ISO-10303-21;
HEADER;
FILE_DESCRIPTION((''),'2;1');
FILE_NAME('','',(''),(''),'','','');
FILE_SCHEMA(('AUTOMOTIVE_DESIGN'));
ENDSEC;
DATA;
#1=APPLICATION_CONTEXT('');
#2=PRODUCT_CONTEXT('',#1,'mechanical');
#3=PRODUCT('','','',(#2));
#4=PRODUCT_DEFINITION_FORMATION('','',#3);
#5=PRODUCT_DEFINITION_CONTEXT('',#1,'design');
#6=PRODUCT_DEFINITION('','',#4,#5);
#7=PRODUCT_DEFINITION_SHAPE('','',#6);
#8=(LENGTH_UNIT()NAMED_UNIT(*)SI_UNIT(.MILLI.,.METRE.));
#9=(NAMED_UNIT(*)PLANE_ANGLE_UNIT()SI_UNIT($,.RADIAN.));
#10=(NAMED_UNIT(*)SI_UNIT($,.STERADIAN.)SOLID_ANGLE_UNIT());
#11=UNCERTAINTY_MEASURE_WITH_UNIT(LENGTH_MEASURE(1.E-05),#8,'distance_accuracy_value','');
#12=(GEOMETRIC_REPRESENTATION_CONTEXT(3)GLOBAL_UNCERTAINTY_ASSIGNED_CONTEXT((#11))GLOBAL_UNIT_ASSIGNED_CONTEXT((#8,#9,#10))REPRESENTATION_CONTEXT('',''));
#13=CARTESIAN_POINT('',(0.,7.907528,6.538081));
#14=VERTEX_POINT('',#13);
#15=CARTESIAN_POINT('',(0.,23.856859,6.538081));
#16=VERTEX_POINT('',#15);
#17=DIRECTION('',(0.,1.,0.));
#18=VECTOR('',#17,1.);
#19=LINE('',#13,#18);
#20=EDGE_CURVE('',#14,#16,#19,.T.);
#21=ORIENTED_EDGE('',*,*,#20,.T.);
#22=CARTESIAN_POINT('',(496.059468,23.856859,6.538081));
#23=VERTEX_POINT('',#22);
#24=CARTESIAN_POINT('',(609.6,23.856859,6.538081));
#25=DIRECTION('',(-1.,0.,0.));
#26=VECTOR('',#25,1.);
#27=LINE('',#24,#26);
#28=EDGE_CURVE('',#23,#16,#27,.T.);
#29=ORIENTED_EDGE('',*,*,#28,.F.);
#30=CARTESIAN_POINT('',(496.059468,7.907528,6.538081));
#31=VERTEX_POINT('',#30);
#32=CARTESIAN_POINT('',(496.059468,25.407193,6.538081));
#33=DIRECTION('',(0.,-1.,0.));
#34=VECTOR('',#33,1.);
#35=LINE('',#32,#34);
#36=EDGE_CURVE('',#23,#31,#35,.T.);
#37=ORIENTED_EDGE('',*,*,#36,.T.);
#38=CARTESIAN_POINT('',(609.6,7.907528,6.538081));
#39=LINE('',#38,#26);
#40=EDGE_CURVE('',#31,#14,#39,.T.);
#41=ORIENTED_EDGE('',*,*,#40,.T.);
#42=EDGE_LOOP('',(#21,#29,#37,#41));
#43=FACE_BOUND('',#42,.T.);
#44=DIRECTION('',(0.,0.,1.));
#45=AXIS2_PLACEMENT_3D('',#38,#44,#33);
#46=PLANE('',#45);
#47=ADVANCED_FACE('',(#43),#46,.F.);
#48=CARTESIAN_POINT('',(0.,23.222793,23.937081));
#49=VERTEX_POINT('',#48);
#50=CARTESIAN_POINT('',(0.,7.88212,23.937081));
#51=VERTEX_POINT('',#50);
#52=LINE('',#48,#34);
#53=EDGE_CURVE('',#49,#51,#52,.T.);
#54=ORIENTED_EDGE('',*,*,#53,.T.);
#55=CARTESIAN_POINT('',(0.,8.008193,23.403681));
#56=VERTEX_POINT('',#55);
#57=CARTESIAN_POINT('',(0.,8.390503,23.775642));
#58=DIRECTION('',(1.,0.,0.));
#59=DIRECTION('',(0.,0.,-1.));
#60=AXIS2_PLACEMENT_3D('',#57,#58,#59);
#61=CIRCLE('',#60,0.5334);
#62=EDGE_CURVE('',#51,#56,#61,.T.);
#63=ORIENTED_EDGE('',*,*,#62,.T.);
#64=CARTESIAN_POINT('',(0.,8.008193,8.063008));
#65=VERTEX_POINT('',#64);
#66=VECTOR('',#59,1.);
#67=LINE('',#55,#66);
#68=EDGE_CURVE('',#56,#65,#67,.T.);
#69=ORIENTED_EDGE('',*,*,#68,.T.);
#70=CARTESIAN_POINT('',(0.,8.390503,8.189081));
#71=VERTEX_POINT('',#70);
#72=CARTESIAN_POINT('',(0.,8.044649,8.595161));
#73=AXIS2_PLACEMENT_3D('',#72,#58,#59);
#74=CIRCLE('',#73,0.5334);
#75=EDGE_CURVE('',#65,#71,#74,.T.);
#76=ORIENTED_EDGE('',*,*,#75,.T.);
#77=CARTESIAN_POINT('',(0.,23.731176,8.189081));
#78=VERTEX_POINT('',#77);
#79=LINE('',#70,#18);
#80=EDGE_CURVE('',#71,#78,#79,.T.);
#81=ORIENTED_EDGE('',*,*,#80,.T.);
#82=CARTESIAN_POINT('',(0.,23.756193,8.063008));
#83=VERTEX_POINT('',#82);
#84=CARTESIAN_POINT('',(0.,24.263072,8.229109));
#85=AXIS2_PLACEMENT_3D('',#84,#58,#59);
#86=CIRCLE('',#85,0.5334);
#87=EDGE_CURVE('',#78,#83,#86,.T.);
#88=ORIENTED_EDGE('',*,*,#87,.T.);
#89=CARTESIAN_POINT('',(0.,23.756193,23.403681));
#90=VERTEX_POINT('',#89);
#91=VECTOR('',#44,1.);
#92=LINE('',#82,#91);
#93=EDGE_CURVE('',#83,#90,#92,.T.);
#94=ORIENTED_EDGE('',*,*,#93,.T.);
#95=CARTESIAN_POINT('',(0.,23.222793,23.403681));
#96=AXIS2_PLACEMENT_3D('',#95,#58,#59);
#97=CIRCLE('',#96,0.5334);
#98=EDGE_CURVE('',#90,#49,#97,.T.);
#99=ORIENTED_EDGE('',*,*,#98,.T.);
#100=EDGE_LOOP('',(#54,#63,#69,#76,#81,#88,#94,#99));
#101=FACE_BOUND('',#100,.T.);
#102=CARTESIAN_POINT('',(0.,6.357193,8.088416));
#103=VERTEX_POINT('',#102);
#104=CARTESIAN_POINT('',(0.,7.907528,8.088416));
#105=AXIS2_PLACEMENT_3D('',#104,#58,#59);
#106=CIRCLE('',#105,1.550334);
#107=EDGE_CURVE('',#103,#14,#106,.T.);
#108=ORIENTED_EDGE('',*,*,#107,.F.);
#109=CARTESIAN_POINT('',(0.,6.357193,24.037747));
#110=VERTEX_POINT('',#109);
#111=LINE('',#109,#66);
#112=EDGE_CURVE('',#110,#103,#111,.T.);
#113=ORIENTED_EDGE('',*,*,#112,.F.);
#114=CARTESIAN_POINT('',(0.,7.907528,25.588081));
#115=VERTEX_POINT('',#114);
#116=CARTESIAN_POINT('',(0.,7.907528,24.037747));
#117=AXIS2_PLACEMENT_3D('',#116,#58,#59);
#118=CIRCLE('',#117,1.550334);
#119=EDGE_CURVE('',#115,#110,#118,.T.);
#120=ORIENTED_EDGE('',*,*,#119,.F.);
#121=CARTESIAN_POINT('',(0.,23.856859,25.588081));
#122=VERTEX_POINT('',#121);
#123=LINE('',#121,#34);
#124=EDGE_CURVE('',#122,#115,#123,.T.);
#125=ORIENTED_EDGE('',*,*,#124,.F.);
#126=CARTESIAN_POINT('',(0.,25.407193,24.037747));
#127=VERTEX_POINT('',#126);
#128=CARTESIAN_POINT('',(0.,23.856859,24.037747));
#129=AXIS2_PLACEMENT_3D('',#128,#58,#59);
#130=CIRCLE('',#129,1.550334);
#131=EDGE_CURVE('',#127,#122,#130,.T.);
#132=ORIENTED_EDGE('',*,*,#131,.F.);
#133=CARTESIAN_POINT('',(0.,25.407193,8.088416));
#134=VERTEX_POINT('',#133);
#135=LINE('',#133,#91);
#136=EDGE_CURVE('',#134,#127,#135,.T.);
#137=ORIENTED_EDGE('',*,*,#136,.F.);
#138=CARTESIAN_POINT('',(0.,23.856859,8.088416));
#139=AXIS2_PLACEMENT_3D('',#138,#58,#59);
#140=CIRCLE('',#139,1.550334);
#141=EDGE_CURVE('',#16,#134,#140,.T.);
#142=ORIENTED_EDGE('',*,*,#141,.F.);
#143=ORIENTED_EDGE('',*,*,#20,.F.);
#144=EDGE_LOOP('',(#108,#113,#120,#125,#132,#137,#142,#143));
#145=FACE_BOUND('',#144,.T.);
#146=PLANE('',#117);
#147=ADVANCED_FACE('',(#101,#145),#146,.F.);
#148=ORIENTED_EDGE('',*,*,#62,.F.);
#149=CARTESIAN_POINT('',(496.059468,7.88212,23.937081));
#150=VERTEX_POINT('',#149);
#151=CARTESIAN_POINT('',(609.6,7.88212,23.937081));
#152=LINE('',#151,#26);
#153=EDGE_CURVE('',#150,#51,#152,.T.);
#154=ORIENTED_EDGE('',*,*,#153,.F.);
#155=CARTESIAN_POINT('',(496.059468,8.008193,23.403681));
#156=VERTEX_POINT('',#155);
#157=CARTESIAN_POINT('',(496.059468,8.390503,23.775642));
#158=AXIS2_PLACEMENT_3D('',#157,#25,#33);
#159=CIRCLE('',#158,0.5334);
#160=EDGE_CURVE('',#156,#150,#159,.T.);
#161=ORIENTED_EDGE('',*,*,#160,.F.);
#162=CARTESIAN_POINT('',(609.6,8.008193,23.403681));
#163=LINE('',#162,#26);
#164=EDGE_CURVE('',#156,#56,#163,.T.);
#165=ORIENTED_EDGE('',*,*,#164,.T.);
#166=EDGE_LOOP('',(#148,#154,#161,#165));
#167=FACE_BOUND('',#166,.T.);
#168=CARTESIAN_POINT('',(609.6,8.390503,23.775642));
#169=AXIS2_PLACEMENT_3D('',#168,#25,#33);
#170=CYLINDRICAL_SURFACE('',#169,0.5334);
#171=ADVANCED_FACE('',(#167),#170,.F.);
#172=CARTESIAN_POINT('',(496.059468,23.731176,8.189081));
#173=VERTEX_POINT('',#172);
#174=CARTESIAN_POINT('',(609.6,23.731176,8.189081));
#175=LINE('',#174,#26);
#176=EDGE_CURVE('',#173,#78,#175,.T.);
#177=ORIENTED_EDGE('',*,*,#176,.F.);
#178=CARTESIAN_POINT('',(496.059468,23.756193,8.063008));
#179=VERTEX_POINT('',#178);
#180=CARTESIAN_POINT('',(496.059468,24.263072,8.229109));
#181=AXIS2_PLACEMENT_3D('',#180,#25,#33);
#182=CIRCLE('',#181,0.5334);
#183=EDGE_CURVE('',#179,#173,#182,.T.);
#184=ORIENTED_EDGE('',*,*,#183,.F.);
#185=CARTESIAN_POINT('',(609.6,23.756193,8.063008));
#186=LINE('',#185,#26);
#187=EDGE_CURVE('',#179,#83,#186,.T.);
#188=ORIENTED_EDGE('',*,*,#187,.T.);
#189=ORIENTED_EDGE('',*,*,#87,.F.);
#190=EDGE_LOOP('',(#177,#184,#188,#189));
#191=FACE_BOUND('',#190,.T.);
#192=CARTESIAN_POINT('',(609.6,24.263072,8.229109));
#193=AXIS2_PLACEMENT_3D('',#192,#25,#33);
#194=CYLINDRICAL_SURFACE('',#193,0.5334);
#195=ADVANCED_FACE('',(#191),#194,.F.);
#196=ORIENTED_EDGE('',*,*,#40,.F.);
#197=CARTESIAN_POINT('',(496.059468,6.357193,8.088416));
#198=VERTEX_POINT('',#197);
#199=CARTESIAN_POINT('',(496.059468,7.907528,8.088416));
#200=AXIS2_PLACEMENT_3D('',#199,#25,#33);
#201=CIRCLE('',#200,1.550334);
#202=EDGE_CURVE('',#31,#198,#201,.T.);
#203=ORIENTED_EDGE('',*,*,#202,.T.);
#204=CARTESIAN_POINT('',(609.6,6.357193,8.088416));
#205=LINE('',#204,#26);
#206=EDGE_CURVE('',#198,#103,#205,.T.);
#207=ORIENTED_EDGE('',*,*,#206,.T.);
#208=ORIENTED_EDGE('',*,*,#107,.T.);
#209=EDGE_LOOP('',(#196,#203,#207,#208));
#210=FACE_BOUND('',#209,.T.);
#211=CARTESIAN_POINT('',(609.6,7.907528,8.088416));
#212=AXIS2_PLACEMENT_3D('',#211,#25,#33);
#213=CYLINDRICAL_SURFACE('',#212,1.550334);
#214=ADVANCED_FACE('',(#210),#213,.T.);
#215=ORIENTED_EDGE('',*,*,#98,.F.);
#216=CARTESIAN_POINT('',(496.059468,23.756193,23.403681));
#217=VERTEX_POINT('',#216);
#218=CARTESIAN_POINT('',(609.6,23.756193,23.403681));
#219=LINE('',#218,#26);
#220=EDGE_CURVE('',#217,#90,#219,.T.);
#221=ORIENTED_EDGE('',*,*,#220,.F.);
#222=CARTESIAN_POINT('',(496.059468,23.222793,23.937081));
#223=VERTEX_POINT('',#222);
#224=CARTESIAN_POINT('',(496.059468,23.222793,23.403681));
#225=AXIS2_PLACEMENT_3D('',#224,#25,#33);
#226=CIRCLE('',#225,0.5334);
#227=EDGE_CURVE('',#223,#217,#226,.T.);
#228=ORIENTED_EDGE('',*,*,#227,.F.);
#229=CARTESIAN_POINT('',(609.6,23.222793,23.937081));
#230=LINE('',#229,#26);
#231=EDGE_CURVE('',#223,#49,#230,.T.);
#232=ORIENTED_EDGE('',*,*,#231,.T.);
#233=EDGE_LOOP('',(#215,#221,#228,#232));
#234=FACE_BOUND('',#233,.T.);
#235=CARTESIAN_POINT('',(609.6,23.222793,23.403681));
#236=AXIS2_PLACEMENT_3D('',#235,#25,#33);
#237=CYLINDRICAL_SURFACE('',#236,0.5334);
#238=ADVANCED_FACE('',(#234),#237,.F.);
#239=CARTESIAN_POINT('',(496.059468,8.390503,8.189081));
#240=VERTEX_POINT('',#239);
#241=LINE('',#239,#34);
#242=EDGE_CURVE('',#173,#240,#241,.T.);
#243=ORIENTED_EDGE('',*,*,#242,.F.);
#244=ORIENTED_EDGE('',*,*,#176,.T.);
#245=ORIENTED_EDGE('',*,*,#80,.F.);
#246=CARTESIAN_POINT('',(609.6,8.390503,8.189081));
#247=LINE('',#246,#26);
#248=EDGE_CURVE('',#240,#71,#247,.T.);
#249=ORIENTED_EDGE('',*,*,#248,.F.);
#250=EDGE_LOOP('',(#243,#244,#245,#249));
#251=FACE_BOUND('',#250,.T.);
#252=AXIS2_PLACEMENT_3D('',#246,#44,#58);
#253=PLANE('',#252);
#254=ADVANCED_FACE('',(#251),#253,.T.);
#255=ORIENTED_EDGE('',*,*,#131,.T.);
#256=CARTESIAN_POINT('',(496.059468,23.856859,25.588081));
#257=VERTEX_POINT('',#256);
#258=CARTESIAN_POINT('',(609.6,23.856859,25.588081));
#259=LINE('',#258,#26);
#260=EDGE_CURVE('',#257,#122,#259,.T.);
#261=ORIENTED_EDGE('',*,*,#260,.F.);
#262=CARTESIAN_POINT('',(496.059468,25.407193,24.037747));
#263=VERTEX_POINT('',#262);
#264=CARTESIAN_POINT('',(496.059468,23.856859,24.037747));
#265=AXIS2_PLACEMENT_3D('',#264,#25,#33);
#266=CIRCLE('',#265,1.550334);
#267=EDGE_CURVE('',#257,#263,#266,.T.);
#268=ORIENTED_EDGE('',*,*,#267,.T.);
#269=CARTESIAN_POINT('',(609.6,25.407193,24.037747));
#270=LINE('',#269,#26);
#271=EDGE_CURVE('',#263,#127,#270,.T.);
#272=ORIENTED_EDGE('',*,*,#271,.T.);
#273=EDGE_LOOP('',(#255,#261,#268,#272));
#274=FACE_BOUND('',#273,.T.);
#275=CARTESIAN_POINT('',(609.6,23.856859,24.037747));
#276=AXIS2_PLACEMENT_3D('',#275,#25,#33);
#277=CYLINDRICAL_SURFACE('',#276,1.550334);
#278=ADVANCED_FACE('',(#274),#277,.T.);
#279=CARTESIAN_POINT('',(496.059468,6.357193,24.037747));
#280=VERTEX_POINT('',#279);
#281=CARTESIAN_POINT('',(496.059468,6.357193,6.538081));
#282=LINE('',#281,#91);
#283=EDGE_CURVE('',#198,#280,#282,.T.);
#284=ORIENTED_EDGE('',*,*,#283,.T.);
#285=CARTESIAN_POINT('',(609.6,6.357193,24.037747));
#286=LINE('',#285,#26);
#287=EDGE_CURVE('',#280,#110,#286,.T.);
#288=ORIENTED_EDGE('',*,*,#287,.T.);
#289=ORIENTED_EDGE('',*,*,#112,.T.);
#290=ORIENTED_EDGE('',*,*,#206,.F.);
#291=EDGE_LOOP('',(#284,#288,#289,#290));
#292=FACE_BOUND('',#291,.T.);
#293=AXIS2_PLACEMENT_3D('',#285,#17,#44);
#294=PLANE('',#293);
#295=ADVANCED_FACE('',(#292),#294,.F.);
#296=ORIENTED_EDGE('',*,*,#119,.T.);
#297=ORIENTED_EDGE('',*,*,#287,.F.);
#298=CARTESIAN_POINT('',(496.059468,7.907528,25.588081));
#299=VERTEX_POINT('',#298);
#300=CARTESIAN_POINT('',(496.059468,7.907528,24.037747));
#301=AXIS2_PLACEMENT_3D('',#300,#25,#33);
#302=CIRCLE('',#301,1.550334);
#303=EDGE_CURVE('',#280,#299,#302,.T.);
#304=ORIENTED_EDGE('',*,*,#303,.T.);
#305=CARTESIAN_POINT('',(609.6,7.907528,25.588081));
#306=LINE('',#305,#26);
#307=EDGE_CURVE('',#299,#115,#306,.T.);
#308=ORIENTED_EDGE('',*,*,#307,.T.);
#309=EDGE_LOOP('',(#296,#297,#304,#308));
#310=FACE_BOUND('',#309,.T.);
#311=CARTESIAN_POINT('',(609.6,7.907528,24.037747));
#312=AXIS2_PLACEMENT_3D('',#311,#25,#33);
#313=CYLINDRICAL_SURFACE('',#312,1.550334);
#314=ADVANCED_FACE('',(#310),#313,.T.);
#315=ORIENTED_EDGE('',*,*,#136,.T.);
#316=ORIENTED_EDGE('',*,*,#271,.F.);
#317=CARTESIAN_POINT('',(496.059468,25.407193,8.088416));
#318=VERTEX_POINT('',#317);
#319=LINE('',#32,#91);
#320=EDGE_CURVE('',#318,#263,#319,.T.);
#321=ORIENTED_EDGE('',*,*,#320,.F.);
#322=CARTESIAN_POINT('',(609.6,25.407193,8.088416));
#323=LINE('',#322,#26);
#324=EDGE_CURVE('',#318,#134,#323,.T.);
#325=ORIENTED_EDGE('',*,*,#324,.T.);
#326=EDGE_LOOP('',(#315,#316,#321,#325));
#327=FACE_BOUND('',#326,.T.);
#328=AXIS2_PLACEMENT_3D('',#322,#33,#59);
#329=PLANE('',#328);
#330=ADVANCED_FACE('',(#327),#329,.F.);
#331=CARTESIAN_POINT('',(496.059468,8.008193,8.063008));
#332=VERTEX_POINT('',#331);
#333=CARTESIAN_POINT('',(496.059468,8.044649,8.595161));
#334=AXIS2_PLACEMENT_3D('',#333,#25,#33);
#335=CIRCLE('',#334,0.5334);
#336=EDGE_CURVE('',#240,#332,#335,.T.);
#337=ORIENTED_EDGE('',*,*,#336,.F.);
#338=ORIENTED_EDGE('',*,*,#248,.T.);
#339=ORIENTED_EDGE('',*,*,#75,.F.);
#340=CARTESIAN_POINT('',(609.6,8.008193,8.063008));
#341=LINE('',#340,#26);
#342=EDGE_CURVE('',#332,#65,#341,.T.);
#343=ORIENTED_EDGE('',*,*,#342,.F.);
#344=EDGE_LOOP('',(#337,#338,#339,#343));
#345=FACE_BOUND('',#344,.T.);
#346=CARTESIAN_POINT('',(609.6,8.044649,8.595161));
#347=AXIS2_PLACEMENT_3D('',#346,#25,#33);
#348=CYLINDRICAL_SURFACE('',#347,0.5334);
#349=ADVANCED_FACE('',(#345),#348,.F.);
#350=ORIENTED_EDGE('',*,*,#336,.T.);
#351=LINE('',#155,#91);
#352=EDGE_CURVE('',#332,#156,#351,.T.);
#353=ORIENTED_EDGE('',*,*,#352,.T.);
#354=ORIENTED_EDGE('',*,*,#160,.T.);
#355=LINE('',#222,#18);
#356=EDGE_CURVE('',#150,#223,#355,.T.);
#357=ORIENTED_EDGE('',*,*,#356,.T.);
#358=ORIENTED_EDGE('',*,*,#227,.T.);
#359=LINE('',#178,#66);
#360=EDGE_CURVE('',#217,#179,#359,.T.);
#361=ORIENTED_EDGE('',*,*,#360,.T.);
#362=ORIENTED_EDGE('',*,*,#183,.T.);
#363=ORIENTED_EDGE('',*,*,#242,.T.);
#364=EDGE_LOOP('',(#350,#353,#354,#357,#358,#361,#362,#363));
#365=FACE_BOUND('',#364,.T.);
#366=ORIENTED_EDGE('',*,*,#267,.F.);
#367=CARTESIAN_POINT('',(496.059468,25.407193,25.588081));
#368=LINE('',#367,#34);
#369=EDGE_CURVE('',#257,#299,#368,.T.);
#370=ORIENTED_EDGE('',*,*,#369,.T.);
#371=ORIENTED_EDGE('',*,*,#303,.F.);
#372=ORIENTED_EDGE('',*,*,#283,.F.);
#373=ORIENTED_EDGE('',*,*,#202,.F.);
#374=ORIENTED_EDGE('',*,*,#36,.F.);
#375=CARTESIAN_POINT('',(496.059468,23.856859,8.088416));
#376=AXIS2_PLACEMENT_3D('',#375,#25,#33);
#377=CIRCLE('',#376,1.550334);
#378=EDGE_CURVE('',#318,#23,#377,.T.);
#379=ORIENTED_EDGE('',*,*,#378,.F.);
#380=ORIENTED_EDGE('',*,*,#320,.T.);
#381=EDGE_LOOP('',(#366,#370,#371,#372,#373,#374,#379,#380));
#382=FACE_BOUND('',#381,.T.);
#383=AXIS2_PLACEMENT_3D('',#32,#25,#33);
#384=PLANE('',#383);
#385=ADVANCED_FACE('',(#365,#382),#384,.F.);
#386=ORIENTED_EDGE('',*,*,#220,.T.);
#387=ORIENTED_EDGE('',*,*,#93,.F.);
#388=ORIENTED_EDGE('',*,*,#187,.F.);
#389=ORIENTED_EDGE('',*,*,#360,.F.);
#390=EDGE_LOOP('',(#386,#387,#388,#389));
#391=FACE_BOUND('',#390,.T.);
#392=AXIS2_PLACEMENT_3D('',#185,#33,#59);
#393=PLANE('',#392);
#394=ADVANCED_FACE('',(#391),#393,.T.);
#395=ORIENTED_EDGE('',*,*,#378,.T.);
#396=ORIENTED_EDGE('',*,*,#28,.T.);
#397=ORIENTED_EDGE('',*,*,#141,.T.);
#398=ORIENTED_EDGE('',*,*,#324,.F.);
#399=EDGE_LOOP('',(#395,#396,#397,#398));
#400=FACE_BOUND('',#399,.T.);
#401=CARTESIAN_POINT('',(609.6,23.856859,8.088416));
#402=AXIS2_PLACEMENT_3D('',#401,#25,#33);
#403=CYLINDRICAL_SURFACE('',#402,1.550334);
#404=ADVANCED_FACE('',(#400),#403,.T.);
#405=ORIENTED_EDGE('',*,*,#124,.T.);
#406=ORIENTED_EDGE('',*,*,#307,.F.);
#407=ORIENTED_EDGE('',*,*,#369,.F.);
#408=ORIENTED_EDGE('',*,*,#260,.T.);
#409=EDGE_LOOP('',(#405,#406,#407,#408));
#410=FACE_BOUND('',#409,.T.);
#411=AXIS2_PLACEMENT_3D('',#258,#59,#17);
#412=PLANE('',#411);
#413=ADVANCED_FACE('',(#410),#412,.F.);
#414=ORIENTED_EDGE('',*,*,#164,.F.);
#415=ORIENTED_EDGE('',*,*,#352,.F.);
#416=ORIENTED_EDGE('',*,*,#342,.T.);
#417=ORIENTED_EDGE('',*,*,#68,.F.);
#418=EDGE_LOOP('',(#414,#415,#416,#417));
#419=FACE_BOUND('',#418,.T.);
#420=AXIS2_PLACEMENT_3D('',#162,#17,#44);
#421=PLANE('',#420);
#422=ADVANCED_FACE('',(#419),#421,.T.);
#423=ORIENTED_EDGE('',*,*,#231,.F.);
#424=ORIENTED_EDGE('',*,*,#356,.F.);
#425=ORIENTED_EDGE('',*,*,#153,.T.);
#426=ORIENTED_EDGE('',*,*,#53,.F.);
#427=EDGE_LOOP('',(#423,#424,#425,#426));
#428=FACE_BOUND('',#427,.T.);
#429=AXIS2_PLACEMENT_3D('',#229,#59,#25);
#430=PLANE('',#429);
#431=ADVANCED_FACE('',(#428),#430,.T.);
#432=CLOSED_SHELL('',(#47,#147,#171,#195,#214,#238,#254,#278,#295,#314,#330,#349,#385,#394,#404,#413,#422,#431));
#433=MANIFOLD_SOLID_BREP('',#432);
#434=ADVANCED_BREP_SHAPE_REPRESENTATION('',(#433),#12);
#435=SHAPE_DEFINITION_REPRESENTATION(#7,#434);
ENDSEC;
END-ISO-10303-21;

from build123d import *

# Parameters (mm, degrees)
BOSS_EXTRUDE1_DEPTH = 609.6
SCALE1_SCALE_X      = 1
SCALE1_SCALE_Y      = 0.6
SCALE1_SCALE_Z      = 0.6
SKETCH3_W           = 113.540531561
SKETCH3_H           = 19.05
CUT_EXTRUDE2_DEPTH  = 611.426562419


with BuildPart() as part:
    # Sketch1 → Boss-Extrude1 (new body)
    with BuildSketch(Plane(origin=(0, 0, 0), x_dir=(0, 0, -1), z_dir=(1, 0, 0))):
        with BuildLine():
            Line((-0.186356914, 2.58389064), (-0.186356914, 29.16610936))
            ThreePointArc((-0.186356914, 29.16610936), (-0.94316096, 30.993195953), (-2.770247554, 31.75))
            Line((-2.770247554, 31.75), (-29.352466273, 31.75))
            ThreePointArc((-29.352466273, 31.75), (-31.179552867, 30.993195953), (-31.936356914, 29.16610936))
            Line((-31.936356914, 29.16610936), (-31.936356914, 2.58389064))
            ThreePointArc((-31.936356914, 2.58389064), (-31.179552867, 0.756804047), (-29.352466273, 0))
            Line((-29.352466273, 0), (-2.770247554, 0))
            ThreePointArc((-2.770247554, 0), (-0.94316096, 0.756804047), (-0.186356914, 2.58389064))
        make_face()
        with BuildLine():
            Line((-2.93802358, 3.388849212), (-2.93802358, 28.956637898))
            ThreePointArc((-2.93802358, 28.956637898), (-2.83170208, 28.97113344), (-2.727901561, 28.998333333))
            Line((-2.727901561, 28.998333333), (-28.295690247, 28.998333333))
            ThreePointArc((-28.295690247, 28.998333333), (-28.924308175, 28.737951262), (-29.184690247, 28.109333333))
            Line((-29.184690247, 28.109333333), (-29.184690247, 2.541544647))
            ThreePointArc((-29.184690247, 2.541544647), (-28.71113746, 2.523686947), (-28.295690247, 2.751666667))
            Line((-28.295690247, 2.751666667), (-2.727901561, 2.751666667))
            ThreePointArc((-2.727901561, 2.751666667), (-2.770544519, 3.090841377), (-2.93802358, 3.388849212))
        make_face(mode=Mode.SUBTRACT)
    extrude(amount=BOSS_EXTRUDE1_DEPTH)


with BuildPart() as part_1:
    # Scale1: scaled about (304.8, 15.89298345, 16.065667914)
    add(part.part.scale((SCALE1_SCALE_X, SCALE1_SCALE_Y, SCALE1_SCALE_Z), about=(304.8, 15.89298345, 16.065667914)))

    # Sketch3 → Cut-Extrude2 (cut, through all)
    with BuildSketch(Plane.XY.offset(25.588081314)):
        with Locations((552.82973422, 15.88219338)):
            Rectangle(SKETCH3_W, SKETCH3_H)
    extrude(amount=-CUT_EXTRUDE2_DEPTH, mode=Mode.SUBTRACT)


solid = part_1.part
